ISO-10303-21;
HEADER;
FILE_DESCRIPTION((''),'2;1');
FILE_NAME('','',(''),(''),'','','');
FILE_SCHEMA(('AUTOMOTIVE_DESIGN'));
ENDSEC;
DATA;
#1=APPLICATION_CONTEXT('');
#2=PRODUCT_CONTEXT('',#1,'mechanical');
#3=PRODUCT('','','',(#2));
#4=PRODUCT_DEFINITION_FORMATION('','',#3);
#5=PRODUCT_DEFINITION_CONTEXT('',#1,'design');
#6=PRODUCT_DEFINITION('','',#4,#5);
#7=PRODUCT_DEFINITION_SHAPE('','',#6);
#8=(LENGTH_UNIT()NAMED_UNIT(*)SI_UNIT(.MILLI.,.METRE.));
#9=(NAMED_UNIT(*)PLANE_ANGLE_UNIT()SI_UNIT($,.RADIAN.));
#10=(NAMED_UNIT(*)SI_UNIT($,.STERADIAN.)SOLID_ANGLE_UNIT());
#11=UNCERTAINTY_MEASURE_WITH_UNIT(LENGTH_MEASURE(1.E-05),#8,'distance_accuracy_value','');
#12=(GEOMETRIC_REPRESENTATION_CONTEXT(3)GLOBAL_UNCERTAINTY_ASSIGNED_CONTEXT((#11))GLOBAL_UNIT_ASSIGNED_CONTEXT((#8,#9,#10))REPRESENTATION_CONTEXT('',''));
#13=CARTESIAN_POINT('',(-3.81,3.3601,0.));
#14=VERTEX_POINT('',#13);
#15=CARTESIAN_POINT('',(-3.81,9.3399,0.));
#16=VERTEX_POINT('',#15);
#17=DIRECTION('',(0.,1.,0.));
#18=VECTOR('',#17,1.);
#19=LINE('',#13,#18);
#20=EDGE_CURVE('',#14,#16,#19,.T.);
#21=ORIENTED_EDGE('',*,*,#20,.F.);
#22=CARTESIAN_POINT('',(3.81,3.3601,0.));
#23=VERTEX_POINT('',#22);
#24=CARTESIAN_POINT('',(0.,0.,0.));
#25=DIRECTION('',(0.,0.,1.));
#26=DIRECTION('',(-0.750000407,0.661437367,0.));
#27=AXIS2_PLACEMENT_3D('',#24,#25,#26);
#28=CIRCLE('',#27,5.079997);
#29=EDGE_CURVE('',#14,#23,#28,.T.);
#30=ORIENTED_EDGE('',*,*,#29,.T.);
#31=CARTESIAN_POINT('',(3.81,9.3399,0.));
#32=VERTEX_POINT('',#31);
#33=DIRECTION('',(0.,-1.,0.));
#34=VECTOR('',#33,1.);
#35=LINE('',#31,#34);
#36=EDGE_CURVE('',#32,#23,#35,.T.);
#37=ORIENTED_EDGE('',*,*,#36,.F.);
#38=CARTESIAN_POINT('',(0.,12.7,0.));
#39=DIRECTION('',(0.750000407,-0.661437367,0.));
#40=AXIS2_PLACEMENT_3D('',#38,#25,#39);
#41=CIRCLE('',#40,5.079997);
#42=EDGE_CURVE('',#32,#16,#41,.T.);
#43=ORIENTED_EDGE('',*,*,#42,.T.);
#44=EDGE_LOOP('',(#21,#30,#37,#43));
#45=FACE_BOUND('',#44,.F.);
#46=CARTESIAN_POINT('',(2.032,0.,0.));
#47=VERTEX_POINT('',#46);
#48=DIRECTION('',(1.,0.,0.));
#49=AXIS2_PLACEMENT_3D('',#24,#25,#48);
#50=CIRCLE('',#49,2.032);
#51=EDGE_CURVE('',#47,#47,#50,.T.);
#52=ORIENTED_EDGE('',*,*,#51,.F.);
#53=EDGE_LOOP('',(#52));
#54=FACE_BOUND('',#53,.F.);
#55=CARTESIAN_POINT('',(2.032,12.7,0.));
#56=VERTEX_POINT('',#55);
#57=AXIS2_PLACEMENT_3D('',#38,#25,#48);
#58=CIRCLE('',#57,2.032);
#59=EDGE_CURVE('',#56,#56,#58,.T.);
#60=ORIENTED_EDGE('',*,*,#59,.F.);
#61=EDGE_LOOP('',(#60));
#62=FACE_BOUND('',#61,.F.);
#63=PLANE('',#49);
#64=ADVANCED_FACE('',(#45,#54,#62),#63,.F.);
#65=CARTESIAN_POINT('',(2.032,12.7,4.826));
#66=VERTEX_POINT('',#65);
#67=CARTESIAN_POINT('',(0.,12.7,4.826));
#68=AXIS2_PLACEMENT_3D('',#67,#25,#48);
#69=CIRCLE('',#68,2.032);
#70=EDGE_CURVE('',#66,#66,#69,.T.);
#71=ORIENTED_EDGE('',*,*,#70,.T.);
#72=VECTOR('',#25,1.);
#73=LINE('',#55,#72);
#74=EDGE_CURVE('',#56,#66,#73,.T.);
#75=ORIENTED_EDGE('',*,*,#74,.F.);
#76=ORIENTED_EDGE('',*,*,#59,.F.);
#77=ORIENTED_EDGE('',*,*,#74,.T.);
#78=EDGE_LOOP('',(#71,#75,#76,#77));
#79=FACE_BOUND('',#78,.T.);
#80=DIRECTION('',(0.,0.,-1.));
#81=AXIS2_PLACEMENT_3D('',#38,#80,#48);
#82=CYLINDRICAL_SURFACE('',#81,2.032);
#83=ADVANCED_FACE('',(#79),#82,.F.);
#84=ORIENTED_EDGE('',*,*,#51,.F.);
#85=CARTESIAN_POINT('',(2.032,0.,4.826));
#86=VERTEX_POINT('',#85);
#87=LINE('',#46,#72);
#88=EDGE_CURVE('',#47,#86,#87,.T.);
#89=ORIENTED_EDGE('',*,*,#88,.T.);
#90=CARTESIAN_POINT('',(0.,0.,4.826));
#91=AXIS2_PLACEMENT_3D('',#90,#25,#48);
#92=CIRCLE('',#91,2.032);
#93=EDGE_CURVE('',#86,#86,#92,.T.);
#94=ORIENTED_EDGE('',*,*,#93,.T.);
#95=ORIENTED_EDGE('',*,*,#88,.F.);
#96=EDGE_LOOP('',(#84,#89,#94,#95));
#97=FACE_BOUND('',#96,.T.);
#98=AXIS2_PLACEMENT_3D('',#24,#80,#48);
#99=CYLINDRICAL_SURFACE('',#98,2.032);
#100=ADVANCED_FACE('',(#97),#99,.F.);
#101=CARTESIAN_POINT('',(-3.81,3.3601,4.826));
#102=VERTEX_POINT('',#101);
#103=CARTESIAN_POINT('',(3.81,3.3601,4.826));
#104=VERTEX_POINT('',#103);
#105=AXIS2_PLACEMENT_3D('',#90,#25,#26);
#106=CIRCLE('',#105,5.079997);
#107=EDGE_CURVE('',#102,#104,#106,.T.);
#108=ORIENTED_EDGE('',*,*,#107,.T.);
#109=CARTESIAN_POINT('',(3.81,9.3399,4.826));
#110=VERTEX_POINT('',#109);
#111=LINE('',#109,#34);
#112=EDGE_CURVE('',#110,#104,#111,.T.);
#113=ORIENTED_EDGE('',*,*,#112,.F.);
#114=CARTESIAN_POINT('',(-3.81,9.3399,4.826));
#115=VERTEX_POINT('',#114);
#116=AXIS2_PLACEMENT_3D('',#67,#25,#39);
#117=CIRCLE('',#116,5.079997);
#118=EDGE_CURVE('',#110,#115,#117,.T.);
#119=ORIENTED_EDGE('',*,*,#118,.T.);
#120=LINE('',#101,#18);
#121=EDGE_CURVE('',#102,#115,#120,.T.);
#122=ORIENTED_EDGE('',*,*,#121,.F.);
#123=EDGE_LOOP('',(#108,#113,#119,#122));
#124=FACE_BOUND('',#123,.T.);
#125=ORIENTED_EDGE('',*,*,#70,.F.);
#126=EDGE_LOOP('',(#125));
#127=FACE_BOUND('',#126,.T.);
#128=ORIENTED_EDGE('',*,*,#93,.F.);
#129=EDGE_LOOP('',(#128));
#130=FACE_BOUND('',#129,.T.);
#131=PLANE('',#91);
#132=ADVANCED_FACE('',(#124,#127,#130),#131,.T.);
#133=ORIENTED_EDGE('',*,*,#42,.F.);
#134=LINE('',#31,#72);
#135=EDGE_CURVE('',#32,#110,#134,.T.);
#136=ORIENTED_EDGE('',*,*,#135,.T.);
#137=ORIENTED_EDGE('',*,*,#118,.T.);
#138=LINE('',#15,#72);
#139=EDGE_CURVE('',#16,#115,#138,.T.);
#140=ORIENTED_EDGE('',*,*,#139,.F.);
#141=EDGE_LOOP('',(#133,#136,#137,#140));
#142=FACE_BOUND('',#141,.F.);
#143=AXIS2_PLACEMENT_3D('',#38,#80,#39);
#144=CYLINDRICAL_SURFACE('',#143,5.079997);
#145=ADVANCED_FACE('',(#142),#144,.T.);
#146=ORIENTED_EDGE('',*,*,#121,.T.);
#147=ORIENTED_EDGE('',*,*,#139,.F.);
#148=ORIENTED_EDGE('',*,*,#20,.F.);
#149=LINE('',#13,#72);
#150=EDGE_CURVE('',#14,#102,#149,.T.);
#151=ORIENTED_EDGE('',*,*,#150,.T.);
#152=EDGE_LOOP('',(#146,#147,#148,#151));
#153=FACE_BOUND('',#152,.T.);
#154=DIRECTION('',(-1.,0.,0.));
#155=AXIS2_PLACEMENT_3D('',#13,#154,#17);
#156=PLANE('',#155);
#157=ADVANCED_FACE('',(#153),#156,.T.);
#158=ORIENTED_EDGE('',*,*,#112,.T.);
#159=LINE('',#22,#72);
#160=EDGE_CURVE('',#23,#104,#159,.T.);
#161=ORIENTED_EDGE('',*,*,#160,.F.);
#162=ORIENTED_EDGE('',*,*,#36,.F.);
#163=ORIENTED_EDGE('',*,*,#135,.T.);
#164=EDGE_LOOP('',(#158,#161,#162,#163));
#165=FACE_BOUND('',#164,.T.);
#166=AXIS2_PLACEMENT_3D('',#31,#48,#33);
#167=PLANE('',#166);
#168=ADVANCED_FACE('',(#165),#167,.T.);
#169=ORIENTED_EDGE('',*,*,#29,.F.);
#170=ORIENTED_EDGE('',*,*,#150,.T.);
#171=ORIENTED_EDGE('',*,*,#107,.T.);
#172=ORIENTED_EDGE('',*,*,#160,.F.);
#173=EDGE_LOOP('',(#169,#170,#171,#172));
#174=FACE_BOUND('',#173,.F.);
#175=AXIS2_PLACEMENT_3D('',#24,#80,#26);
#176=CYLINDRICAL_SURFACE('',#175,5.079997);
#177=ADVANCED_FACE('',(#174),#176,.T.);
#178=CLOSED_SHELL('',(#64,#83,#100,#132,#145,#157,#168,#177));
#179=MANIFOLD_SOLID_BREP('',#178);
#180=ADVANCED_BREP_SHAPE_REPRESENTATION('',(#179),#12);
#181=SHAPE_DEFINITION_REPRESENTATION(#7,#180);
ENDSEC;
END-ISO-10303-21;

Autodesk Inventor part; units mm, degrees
ref_plane "YZ Plane" through (0, 0, 0) normal (1, 0, 0) x (0, 1, 0)
ref_plane "XZ Plane" through (0, 0, 0) normal (0, 1, 0) x (-1, 0, 0)
ref_plane "XY Plane" through (0, 0, 0) normal (0, 0, 1) x (1, 0, 0)
sketch "Sketch1" plane through (0, 0, 0) normal (0, 0, 1) x (1, 0, 0)
  circle A0 centre (0, 0) radius 2.032
  arc A1 (-3.81, 3.3601) -> (3.81, 3.3601) centre (0, 0) ccw
  line L0 (-3.81, 3.3601) -> (-3.81, 9.3399)
  circle A2 centre (0, 12.7) radius 2.032
  arc A3 (3.81, 9.3399) -> (-3.81, 9.3399) centre (0, 12.7) ccw
  line L1 (3.81, 9.3399) -> (3.81, 3.3601)
  point P0 (-3.81, 6.35)
  dimension "d0" = 4.064
  dimension "d1" = 10.16
  dimension "d3" = 4.064
  dimension "d5" = 12.7
  dimension "d31" = 5.08
  dimension "d34" = 7.62
  dimension "d35" = 3.81
extrude "Extrusion1" add sketch "Sketch1" along normal blind 4.826
equation "\"d0\" = d3"
equation "\"d35\" = 0.5 * d34"
properties part number "Arm 1"
